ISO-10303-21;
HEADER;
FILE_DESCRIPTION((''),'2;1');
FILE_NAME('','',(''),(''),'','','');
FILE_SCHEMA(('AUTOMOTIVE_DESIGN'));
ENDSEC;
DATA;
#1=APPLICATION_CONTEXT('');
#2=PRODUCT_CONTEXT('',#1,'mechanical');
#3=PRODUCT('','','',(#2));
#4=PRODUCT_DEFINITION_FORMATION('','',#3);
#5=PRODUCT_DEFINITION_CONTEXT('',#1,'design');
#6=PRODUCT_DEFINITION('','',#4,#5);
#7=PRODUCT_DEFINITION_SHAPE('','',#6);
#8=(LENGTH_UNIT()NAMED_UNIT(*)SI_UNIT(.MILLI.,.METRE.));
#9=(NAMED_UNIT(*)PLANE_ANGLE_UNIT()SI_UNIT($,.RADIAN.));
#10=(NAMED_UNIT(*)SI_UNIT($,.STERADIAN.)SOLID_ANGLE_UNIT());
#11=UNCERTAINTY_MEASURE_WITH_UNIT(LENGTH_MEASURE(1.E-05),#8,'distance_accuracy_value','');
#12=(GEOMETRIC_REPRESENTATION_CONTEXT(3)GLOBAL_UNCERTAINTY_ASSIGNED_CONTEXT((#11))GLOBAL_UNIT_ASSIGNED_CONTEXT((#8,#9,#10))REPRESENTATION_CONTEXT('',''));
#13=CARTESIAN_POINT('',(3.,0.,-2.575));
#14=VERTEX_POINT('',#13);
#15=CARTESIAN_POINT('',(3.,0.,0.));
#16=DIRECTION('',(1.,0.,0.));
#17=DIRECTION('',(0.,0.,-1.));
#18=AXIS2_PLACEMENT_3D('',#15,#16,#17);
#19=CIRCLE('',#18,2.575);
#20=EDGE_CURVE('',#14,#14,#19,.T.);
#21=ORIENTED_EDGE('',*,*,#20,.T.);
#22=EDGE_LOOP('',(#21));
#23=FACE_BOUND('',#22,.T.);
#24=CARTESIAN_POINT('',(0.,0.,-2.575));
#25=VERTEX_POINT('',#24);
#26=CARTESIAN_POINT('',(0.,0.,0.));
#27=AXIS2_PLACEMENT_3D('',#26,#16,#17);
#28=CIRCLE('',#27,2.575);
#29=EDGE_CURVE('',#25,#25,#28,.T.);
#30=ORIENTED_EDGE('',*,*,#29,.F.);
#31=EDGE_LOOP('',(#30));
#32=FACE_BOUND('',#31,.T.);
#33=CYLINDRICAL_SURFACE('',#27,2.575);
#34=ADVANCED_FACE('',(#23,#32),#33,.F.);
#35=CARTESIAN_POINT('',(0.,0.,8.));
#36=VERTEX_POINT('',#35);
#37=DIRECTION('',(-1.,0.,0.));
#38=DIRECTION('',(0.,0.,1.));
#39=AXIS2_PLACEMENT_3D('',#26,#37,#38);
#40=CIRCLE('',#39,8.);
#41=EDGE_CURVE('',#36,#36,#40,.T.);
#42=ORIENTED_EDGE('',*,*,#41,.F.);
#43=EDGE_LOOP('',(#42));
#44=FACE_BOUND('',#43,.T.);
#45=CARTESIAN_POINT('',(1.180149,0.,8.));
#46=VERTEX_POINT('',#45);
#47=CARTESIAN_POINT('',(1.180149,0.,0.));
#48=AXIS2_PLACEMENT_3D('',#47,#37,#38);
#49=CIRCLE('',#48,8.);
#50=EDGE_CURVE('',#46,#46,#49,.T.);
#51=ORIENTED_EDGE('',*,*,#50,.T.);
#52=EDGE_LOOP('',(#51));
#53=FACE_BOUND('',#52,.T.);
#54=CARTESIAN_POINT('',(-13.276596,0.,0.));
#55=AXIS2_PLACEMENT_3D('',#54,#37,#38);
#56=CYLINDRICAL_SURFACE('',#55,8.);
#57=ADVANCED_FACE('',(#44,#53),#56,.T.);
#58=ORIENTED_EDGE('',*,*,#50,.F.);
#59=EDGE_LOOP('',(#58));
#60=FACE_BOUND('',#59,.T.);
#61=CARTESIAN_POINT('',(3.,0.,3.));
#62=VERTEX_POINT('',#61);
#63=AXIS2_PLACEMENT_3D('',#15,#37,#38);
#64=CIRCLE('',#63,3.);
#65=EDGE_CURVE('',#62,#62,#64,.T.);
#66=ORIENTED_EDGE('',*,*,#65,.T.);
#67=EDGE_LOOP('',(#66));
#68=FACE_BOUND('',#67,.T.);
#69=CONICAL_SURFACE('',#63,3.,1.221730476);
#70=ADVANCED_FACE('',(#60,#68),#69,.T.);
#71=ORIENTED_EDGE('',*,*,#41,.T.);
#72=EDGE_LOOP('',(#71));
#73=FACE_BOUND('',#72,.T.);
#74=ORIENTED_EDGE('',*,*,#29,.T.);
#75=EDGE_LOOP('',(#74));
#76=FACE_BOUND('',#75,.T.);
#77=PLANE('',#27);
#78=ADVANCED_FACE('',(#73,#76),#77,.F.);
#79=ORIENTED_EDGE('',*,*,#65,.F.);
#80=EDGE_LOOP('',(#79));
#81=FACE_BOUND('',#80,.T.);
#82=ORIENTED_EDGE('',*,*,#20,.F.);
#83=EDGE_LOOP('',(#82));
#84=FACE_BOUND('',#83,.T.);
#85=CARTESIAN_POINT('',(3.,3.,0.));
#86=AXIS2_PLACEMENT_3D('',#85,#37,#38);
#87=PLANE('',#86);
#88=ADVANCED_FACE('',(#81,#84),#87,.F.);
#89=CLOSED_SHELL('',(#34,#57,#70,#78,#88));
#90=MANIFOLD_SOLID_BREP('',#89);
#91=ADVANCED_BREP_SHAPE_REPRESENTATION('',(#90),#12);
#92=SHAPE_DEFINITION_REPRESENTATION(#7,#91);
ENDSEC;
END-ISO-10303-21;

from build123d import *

# Parameters (mm, degrees)
SKETCH5_R          = 2.575
CUT_EXTRUDE3_DEPTH = 4


with BuildPart() as part:
    # Sketch1 → Revolve1 (revolve)
    with BuildSketch(Plane.XY):
        Polygon((0, 0), (0, 8), (1.180148829, 8), (3, 3), (3, 0), align=None)
    revolve(axis=Axis((-13.276595745, 0, 0), (1, 0, 0)))

    # Sketch5 → Cut-Extrude3 (cut, through all)
    with BuildSketch(Plane(origin=(3, 0, 0), x_dir=(0, 0, -1), z_dir=(1, 0, 0))):
        Circle(SKETCH5_R)
    extrude(amount=-CUT_EXTRUDE3_DEPTH, mode=Mode.SUBTRACT)


solid = part.part
